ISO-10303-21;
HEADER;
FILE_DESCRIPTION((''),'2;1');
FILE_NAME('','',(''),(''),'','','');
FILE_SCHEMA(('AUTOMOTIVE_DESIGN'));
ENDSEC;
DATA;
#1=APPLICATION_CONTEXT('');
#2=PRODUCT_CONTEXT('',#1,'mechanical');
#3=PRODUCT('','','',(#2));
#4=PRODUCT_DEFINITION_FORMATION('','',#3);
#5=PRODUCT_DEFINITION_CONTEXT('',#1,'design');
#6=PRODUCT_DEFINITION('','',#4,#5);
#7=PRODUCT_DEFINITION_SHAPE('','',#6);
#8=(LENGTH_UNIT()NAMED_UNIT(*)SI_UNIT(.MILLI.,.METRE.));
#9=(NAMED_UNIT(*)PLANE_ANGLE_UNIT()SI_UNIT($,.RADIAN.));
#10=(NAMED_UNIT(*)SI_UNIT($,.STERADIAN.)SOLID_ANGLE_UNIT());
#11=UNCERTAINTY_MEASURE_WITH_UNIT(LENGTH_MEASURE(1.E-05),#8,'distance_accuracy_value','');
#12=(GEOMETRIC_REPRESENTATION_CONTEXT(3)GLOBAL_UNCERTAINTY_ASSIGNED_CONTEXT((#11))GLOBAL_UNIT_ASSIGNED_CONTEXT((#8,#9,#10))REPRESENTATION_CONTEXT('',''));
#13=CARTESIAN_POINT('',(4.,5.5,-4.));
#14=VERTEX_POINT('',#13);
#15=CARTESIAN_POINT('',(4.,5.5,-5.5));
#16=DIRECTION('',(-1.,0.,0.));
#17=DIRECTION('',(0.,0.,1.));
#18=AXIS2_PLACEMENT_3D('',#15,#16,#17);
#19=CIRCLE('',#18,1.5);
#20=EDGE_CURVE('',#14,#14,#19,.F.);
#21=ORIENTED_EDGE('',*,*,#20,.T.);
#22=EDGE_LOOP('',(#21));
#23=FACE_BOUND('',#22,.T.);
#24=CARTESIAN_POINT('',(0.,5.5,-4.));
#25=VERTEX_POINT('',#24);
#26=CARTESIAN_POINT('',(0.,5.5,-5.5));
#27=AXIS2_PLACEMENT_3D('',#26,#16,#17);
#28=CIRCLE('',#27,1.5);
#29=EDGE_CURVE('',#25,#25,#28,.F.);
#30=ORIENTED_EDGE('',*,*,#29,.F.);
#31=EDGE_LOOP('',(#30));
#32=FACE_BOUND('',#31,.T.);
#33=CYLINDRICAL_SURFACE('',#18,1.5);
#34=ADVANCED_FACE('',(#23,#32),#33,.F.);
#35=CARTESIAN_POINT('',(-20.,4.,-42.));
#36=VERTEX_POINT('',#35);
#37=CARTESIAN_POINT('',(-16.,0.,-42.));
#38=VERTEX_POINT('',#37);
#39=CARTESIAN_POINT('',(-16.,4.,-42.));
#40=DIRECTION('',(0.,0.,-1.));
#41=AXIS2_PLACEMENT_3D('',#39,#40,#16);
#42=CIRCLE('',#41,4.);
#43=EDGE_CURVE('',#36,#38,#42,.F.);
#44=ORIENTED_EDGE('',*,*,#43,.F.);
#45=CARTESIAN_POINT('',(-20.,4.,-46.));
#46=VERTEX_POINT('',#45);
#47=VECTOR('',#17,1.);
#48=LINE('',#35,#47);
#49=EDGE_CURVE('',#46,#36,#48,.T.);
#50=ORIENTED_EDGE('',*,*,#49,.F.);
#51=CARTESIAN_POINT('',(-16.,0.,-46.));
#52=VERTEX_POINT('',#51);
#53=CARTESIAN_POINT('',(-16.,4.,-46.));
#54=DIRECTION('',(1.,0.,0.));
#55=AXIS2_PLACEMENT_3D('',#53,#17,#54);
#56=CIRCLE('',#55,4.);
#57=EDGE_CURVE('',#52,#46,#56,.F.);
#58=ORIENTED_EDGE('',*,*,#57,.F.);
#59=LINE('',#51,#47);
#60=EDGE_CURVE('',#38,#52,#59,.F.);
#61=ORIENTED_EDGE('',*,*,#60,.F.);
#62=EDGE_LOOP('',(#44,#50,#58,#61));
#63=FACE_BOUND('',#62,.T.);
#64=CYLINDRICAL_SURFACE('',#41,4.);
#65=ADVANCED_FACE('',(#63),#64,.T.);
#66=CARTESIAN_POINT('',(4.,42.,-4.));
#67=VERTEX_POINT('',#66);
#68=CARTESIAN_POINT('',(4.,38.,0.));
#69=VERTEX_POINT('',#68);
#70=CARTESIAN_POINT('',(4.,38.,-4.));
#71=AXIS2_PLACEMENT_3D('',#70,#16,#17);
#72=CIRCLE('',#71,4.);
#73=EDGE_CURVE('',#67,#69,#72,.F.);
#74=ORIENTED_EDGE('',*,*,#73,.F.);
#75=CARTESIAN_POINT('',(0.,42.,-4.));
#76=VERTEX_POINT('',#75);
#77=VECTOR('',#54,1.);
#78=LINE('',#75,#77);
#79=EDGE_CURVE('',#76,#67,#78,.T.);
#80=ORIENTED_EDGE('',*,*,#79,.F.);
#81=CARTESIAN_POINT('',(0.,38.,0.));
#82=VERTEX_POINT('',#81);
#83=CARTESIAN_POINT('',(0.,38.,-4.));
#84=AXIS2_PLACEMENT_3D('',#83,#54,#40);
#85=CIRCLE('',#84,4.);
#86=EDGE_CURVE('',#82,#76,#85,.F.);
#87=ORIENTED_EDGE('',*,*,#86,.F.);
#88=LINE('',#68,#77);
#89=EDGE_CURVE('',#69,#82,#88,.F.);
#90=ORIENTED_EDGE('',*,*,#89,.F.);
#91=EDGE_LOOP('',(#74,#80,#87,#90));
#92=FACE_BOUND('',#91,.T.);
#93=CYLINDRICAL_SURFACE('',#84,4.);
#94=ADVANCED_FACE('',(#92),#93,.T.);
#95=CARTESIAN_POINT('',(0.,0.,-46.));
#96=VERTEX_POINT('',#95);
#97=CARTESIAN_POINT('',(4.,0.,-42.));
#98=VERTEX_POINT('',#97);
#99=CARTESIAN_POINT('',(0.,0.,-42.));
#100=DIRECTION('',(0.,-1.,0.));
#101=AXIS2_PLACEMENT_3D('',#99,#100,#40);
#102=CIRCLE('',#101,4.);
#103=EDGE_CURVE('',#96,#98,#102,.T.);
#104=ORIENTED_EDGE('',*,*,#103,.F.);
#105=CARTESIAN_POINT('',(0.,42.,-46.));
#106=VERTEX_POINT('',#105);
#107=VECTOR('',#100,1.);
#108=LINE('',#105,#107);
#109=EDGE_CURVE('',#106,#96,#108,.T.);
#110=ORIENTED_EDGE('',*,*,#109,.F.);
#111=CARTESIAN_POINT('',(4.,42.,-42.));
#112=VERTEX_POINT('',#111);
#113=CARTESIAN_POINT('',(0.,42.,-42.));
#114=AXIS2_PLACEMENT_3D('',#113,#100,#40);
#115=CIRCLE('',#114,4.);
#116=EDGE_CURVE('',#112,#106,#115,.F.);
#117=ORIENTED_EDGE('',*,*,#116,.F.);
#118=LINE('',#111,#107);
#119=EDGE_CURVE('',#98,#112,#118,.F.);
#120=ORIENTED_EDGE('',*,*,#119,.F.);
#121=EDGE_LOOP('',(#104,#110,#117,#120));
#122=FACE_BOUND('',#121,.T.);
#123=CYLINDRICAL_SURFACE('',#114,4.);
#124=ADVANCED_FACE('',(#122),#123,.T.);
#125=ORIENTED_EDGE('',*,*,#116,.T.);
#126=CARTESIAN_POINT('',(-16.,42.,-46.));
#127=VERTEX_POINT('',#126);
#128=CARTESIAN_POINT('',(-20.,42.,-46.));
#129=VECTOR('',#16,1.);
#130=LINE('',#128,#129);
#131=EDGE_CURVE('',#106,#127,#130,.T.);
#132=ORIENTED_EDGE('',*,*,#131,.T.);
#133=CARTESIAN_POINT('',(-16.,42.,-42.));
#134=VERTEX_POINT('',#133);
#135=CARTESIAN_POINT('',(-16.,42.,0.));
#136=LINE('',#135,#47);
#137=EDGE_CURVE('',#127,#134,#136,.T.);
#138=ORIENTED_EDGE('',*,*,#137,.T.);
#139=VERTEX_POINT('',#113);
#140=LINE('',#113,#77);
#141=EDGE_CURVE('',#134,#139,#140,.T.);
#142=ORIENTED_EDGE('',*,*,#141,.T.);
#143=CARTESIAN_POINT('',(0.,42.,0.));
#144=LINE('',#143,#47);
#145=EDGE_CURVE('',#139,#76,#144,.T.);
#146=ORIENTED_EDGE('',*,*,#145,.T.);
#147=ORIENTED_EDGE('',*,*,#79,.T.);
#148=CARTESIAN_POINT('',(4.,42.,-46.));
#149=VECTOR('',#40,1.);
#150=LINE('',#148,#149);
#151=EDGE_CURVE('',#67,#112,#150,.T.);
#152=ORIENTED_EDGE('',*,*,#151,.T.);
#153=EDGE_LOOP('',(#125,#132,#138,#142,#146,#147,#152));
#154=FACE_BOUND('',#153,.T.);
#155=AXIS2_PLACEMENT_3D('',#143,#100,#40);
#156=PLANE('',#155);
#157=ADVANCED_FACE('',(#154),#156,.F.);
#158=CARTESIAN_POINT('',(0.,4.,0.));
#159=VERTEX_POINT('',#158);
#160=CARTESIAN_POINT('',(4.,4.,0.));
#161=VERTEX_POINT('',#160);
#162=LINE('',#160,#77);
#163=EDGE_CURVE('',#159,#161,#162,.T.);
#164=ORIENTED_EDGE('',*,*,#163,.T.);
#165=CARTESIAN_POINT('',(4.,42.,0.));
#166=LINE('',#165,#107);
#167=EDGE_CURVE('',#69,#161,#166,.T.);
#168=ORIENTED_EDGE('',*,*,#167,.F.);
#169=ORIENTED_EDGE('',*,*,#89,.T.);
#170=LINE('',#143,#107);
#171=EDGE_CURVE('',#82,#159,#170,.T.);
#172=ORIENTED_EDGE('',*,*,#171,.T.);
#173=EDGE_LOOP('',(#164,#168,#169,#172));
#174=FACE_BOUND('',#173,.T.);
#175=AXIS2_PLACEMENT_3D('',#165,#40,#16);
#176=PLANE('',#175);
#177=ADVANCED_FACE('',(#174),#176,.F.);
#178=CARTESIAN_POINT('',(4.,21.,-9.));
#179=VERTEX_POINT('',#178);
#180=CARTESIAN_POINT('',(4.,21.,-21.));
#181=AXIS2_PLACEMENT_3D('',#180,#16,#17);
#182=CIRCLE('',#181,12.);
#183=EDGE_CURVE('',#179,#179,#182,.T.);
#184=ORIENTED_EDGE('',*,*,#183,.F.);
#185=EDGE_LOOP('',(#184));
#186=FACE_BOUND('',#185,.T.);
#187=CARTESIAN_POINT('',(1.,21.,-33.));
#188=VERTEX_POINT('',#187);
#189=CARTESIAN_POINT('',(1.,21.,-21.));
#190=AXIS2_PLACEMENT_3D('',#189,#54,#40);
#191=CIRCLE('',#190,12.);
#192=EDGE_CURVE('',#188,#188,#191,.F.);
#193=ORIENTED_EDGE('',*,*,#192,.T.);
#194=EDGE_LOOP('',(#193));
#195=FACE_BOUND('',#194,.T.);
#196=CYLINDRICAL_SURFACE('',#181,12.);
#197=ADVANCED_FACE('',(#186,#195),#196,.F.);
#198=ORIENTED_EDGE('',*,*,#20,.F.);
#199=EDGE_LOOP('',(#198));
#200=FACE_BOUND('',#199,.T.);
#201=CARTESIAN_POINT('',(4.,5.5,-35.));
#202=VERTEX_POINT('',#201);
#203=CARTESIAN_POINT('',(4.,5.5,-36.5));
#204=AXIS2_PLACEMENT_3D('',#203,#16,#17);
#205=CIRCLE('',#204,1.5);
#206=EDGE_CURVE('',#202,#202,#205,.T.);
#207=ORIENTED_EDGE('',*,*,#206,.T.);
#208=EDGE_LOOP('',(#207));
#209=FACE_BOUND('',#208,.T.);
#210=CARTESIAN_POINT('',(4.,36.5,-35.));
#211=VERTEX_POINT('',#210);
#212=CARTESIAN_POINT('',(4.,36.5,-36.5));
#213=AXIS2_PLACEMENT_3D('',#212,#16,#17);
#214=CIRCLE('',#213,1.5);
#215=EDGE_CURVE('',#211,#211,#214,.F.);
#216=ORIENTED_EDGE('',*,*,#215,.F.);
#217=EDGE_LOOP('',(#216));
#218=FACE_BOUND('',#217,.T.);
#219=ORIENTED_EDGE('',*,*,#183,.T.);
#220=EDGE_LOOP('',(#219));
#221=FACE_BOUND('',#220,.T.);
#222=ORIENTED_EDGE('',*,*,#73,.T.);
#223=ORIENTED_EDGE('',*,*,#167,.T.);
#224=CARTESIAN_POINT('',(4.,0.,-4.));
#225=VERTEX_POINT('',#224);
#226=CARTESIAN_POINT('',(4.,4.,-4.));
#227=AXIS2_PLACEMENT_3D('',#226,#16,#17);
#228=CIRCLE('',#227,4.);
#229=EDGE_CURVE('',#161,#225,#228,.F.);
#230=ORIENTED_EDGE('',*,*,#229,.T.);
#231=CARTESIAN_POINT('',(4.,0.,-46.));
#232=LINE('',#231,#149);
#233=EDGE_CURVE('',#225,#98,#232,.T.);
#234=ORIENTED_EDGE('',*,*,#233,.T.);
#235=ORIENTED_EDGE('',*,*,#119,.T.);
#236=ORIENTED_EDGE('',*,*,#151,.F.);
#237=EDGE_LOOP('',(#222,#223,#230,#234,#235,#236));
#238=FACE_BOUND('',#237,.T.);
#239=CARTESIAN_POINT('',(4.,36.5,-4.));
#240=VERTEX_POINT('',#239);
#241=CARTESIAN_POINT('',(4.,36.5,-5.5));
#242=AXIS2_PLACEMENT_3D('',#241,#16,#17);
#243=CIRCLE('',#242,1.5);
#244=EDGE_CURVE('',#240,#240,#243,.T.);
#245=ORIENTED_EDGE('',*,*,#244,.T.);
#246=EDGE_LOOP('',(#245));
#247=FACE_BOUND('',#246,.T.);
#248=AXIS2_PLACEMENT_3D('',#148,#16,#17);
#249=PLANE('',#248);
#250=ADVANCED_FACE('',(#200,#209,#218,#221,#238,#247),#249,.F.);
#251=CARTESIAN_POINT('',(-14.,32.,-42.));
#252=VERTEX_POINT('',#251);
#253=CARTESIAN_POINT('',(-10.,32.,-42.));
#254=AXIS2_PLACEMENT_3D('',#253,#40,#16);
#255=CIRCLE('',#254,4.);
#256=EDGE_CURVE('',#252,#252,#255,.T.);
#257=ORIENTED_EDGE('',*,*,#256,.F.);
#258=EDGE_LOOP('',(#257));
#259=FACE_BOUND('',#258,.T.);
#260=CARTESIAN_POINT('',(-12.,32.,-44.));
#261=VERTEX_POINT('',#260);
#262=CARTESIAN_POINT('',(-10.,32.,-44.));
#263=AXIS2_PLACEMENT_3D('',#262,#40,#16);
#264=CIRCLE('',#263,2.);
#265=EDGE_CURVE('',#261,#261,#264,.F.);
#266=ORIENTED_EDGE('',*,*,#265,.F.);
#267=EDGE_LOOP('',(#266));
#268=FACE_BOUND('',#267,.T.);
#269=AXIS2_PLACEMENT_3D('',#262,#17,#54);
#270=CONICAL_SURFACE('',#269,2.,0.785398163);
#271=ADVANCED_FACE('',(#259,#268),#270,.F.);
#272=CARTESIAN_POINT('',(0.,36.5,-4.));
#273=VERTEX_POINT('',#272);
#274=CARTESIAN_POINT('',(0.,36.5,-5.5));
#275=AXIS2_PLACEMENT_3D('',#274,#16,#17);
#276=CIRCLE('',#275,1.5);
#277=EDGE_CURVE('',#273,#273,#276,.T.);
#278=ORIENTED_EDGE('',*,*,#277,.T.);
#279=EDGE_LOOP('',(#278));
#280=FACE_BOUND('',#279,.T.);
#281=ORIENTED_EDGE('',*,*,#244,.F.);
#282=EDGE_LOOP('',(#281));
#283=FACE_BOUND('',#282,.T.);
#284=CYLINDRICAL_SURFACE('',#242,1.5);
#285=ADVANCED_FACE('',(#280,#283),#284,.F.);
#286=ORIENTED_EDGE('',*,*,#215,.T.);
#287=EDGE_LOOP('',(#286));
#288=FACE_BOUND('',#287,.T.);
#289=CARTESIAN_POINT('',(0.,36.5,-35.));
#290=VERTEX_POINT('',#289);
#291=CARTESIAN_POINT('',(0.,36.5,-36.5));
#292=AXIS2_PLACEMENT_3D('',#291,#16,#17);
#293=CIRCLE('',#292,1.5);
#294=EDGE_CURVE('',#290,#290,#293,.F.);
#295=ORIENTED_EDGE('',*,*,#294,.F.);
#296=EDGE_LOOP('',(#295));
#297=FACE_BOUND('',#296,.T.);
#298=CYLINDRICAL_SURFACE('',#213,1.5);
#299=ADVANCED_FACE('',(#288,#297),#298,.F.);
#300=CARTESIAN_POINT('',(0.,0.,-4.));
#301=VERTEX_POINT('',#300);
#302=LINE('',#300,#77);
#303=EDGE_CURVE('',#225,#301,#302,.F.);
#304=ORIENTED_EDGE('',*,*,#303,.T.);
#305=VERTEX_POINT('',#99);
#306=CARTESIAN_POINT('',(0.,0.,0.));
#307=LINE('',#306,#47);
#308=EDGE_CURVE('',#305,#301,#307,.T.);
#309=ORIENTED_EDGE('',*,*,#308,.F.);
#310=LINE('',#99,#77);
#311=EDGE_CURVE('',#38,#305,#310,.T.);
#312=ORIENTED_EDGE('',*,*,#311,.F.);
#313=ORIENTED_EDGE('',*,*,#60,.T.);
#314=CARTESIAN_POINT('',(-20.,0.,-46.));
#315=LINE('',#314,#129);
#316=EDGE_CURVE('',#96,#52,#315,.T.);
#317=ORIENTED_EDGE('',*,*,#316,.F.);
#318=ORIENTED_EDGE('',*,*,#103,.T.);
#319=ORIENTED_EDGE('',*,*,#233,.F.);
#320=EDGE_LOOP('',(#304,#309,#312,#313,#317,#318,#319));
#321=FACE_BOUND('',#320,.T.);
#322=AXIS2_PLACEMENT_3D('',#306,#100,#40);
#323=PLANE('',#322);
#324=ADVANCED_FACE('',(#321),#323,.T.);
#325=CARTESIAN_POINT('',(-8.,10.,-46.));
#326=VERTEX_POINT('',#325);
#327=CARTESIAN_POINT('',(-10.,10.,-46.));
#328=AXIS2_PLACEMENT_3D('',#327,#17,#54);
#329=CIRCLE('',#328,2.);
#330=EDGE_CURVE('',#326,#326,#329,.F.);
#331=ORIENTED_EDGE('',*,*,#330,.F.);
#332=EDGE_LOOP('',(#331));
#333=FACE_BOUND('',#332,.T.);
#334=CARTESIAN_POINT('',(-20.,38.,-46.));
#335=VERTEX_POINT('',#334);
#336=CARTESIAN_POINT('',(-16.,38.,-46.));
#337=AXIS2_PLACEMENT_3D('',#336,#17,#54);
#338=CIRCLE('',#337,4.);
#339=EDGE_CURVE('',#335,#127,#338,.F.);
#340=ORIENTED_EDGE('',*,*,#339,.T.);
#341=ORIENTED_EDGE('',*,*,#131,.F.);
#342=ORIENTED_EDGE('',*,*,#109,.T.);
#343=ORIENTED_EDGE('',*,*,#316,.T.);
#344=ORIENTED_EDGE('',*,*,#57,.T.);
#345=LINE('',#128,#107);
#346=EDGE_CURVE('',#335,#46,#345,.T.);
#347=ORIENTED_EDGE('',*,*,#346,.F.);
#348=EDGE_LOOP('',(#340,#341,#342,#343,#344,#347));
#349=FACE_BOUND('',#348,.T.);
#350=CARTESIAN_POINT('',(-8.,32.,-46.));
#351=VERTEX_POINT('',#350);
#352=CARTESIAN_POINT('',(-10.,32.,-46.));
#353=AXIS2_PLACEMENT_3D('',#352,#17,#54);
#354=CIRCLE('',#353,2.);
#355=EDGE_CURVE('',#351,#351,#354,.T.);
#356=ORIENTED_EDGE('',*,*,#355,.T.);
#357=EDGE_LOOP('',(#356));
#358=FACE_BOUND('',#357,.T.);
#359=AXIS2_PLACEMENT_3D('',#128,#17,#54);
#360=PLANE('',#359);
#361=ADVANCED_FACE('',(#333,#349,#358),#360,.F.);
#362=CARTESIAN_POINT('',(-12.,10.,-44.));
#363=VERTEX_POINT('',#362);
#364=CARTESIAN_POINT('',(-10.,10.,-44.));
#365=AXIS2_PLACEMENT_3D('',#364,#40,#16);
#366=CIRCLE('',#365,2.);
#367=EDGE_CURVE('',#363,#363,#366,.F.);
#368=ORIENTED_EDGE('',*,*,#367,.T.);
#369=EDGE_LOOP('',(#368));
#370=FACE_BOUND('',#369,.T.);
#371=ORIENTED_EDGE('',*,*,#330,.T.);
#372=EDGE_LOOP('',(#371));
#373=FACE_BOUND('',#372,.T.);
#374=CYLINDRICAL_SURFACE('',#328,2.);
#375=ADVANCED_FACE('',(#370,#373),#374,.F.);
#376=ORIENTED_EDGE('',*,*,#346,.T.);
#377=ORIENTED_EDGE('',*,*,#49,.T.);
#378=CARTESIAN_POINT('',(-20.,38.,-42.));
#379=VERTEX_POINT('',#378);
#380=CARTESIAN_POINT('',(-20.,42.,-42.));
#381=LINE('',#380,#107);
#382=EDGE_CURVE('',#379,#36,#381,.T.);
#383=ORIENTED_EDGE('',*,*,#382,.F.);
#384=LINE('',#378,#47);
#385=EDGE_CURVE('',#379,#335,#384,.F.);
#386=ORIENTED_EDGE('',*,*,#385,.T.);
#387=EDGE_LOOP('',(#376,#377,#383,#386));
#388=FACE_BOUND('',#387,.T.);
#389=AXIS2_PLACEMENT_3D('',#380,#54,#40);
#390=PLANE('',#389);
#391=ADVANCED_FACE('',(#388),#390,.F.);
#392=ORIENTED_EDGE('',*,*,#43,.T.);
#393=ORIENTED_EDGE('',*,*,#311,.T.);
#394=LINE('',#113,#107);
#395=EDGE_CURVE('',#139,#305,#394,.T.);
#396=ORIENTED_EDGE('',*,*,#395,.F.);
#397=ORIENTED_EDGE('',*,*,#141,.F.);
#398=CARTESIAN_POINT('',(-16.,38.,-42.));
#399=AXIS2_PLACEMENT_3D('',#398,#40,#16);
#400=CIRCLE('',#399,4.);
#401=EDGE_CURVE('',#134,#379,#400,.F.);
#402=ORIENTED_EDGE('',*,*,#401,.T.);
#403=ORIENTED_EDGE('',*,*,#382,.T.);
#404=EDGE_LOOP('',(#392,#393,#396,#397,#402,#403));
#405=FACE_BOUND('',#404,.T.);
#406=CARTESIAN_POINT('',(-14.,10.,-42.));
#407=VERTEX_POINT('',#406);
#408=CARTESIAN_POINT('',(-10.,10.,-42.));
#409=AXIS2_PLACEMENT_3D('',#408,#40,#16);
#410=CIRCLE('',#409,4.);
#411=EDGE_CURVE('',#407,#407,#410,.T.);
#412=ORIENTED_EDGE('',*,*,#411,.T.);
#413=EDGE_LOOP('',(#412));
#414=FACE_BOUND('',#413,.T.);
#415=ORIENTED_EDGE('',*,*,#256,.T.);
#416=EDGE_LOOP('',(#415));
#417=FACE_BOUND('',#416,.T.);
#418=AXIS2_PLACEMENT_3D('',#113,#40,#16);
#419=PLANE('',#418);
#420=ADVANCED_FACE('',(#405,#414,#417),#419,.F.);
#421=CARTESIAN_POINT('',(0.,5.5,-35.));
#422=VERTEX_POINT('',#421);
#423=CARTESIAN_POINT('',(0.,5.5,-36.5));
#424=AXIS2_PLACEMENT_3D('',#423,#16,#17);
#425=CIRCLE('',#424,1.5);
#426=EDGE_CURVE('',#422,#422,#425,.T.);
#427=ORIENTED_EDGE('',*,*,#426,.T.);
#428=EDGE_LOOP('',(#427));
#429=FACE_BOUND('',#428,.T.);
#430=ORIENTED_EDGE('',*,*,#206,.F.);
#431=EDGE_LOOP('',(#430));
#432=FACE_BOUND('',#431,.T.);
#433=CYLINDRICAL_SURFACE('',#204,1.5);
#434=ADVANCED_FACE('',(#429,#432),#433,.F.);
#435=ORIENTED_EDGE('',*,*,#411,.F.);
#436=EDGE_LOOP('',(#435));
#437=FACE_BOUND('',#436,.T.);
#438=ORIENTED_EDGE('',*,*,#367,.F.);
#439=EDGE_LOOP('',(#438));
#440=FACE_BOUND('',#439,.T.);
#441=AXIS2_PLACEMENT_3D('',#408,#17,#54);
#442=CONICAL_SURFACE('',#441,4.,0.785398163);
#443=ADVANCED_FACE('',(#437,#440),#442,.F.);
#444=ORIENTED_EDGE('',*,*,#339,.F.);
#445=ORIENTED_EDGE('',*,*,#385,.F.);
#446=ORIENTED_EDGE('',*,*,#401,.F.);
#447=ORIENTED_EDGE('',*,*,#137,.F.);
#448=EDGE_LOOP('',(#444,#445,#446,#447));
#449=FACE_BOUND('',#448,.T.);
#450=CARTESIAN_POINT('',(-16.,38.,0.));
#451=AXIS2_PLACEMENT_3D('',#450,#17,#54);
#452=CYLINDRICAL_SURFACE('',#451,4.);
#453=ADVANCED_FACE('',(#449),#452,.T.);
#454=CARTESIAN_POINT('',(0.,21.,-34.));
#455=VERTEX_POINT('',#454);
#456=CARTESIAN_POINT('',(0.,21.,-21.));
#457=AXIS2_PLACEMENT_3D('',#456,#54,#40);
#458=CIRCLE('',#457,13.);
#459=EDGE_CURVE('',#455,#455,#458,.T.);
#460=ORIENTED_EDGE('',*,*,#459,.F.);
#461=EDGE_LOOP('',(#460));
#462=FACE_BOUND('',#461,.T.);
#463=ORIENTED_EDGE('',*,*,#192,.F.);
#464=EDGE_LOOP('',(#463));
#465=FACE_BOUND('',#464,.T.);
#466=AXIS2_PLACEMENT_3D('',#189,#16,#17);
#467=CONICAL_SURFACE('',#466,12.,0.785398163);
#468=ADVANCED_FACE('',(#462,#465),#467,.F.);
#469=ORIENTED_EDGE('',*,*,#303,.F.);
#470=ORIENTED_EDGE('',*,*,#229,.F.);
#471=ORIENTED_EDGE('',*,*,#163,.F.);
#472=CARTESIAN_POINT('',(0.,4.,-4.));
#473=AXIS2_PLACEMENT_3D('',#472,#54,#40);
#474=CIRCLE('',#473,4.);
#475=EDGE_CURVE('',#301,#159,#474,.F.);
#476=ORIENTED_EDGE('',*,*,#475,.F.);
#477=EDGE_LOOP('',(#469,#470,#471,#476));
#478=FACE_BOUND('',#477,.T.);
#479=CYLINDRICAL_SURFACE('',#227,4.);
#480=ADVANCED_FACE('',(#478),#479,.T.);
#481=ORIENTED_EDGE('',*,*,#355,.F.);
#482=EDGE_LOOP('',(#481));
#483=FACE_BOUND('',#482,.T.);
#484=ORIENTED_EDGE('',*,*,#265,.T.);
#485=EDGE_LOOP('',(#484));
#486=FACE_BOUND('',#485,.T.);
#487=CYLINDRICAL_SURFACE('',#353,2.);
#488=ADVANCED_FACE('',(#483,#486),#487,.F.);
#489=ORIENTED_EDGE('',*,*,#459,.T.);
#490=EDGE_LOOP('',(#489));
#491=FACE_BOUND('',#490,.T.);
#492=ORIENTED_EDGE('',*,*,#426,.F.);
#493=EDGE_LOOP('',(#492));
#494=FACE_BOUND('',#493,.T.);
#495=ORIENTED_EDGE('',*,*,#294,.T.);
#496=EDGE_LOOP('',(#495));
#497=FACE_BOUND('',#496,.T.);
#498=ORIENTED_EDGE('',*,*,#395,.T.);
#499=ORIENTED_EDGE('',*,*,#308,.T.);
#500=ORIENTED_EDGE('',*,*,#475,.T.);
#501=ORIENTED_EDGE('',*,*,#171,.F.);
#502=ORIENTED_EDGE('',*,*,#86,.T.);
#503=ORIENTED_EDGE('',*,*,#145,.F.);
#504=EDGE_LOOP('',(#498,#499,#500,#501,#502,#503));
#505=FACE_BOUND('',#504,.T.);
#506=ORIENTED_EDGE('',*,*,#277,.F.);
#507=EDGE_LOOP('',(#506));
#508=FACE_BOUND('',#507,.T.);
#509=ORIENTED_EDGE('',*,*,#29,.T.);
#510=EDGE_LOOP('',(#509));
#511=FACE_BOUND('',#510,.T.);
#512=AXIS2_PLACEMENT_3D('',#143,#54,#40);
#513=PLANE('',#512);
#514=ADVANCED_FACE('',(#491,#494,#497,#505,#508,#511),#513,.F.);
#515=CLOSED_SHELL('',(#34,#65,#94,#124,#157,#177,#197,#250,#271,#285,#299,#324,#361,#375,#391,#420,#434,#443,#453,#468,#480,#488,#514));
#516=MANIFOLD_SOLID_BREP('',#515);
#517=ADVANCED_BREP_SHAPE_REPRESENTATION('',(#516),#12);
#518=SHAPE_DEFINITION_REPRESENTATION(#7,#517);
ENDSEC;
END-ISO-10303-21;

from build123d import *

# Parameters (mm, degrees)
BOSS_EXTRUDE1_DEPTH = 42
SKETCH2_R           = 12
SKETCH2_R_2         = 1.5
CUT_EXTRUDE1_DEPTH  = 5
SKETCH3_R           = 2
CUT_EXTRUDE2_DEPTH  = 5
CHAMFER1_SIZE       = 2
CHAMFER2_SIZE       = 1
FILLET1_R           = 4


with BuildPart() as part:
    # Sketch1 → Boss-Extrude1 (new body)
    with BuildSketch(Plane(origin=(0, 0, 0), x_dir=(1, 0, 0), z_dir=(0, 1, 0))):
        Polygon((0, 0), (0, 42), (-20, 42), (-20, 46), (4, 46), (4, 0), align=None)
    extrude(amount=BOSS_EXTRUDE1_DEPTH)

    # Sketch2 → Cut-Extrude1 (cut, through all)
    with BuildSketch(Plane.ZY):
        with Locations((-21, 21)):
            Circle(SKETCH2_R)
        with Locations((-36.5, 36.5)):
            Circle(SKETCH2_R_2)
        with Locations((-5.5, 36.5)):
            Circle(SKETCH2_R_2)
        with Locations((-5.5, 5.5)):
            Circle(SKETCH2_R_2)
        with Locations((-36.5, 5.5)):
            Circle(SKETCH2_R_2)
    extrude(amount=-CUT_EXTRUDE1_DEPTH, mode=Mode.SUBTRACT)

    # Sketch3 → Cut-Extrude2 (cut, through all)
    with BuildSketch(Plane.XY.offset(-42)):
        with Locations((-10, 32)):
            Circle(SKETCH3_R)
        with Locations((-10, 10)):
            Circle(SKETCH3_R)
    extrude(amount=-CUT_EXTRUDE2_DEPTH, mode=Mode.SUBTRACT)

    # Chamfer1
    chamfer1_edges = [part.edges().sort_by_distance(p)[0] for p in [
        (-12, 32, -42),
        (-12, 10, -42),
    ]]
    chamfer(chamfer1_edges, length=CHAMFER1_SIZE)

    # Chamfer2
    chamfer2_edges = [part.edges().sort_by_distance(p)[0] for p in [
        (0, 21, -33),
    ]]
    chamfer(chamfer2_edges, length=CHAMFER2_SIZE)

    # Fillet1
    fillet1_edges = [part.edges().sort_by_distance(p)[0] for p in [
        (4, 21, -46),
        (-20, 42, -44),
        (2, 42, 0),
        (-20, 0, -44),
        (2, 0, 0),
    ]]
    fillet(fillet1_edges, radius=FILLET1_R)


solid = part.part
